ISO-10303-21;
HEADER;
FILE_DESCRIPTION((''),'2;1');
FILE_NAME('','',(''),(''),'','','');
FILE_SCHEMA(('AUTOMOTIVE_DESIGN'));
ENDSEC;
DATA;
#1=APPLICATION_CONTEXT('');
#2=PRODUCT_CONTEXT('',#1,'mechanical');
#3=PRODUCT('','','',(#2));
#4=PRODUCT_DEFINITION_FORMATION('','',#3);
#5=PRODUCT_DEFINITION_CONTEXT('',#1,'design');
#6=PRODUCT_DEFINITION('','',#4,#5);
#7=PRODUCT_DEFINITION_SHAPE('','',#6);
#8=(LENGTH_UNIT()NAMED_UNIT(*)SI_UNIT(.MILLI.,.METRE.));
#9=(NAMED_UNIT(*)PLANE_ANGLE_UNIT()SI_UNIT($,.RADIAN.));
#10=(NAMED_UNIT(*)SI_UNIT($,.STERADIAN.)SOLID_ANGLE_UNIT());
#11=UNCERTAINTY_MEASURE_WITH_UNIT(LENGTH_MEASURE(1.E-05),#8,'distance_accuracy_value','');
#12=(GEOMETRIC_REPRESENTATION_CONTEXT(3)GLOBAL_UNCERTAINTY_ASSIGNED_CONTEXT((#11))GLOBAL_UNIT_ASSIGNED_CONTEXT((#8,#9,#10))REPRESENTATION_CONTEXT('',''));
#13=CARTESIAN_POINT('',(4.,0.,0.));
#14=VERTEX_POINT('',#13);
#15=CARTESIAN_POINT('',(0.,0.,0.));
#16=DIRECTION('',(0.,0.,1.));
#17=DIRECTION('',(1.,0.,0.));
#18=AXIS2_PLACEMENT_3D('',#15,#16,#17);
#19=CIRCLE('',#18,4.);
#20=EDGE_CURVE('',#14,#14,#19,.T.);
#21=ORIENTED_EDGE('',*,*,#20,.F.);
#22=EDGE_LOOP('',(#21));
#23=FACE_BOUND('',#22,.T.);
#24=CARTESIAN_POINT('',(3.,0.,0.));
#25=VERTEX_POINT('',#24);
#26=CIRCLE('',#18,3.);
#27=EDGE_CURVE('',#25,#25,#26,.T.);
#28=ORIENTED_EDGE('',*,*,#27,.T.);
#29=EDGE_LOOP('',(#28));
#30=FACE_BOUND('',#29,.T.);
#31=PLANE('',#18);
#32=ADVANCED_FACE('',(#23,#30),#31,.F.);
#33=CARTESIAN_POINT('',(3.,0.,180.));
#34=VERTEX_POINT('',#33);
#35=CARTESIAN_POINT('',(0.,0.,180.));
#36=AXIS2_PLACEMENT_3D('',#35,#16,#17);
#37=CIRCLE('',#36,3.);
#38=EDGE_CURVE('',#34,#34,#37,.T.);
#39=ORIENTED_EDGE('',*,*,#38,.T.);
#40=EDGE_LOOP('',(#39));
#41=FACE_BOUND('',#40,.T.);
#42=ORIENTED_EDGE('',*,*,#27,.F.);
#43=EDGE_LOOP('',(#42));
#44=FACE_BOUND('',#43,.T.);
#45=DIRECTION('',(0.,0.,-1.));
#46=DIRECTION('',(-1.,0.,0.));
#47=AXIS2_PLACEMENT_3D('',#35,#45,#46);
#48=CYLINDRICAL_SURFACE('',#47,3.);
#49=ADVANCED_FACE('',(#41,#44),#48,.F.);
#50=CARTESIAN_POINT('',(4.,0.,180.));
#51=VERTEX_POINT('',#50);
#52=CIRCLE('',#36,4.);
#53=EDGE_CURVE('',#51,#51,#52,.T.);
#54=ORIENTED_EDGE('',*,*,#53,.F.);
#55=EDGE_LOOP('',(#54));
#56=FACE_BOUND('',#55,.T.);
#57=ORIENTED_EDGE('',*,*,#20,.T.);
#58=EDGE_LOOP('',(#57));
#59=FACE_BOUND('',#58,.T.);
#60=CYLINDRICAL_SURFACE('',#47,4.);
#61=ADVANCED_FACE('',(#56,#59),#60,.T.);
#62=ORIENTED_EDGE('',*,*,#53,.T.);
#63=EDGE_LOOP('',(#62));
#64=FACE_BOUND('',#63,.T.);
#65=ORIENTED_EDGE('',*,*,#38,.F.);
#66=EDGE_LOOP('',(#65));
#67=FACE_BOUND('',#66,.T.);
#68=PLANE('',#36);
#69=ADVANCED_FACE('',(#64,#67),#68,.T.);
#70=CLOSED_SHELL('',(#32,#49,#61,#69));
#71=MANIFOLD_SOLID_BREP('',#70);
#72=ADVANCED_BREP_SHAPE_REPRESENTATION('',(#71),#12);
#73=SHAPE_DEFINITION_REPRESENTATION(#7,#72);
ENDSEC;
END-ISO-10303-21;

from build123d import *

# Parameters (mm, degrees)
SKETCH_1_R      = 4
SKETCH_1_R_2    = 3
EXTRUDE_1_DEPTH = 180


with BuildPart() as part:
    # 草图1 → 凸台-拉伸1 (new body)
    with BuildSketch(Plane.XY):
        Circle(SKETCH_1_R)
        Circle(SKETCH_1_R_2, mode=Mode.SUBTRACT)
    extrude(amount=EXTRUDE_1_DEPTH)


solid = part.part
